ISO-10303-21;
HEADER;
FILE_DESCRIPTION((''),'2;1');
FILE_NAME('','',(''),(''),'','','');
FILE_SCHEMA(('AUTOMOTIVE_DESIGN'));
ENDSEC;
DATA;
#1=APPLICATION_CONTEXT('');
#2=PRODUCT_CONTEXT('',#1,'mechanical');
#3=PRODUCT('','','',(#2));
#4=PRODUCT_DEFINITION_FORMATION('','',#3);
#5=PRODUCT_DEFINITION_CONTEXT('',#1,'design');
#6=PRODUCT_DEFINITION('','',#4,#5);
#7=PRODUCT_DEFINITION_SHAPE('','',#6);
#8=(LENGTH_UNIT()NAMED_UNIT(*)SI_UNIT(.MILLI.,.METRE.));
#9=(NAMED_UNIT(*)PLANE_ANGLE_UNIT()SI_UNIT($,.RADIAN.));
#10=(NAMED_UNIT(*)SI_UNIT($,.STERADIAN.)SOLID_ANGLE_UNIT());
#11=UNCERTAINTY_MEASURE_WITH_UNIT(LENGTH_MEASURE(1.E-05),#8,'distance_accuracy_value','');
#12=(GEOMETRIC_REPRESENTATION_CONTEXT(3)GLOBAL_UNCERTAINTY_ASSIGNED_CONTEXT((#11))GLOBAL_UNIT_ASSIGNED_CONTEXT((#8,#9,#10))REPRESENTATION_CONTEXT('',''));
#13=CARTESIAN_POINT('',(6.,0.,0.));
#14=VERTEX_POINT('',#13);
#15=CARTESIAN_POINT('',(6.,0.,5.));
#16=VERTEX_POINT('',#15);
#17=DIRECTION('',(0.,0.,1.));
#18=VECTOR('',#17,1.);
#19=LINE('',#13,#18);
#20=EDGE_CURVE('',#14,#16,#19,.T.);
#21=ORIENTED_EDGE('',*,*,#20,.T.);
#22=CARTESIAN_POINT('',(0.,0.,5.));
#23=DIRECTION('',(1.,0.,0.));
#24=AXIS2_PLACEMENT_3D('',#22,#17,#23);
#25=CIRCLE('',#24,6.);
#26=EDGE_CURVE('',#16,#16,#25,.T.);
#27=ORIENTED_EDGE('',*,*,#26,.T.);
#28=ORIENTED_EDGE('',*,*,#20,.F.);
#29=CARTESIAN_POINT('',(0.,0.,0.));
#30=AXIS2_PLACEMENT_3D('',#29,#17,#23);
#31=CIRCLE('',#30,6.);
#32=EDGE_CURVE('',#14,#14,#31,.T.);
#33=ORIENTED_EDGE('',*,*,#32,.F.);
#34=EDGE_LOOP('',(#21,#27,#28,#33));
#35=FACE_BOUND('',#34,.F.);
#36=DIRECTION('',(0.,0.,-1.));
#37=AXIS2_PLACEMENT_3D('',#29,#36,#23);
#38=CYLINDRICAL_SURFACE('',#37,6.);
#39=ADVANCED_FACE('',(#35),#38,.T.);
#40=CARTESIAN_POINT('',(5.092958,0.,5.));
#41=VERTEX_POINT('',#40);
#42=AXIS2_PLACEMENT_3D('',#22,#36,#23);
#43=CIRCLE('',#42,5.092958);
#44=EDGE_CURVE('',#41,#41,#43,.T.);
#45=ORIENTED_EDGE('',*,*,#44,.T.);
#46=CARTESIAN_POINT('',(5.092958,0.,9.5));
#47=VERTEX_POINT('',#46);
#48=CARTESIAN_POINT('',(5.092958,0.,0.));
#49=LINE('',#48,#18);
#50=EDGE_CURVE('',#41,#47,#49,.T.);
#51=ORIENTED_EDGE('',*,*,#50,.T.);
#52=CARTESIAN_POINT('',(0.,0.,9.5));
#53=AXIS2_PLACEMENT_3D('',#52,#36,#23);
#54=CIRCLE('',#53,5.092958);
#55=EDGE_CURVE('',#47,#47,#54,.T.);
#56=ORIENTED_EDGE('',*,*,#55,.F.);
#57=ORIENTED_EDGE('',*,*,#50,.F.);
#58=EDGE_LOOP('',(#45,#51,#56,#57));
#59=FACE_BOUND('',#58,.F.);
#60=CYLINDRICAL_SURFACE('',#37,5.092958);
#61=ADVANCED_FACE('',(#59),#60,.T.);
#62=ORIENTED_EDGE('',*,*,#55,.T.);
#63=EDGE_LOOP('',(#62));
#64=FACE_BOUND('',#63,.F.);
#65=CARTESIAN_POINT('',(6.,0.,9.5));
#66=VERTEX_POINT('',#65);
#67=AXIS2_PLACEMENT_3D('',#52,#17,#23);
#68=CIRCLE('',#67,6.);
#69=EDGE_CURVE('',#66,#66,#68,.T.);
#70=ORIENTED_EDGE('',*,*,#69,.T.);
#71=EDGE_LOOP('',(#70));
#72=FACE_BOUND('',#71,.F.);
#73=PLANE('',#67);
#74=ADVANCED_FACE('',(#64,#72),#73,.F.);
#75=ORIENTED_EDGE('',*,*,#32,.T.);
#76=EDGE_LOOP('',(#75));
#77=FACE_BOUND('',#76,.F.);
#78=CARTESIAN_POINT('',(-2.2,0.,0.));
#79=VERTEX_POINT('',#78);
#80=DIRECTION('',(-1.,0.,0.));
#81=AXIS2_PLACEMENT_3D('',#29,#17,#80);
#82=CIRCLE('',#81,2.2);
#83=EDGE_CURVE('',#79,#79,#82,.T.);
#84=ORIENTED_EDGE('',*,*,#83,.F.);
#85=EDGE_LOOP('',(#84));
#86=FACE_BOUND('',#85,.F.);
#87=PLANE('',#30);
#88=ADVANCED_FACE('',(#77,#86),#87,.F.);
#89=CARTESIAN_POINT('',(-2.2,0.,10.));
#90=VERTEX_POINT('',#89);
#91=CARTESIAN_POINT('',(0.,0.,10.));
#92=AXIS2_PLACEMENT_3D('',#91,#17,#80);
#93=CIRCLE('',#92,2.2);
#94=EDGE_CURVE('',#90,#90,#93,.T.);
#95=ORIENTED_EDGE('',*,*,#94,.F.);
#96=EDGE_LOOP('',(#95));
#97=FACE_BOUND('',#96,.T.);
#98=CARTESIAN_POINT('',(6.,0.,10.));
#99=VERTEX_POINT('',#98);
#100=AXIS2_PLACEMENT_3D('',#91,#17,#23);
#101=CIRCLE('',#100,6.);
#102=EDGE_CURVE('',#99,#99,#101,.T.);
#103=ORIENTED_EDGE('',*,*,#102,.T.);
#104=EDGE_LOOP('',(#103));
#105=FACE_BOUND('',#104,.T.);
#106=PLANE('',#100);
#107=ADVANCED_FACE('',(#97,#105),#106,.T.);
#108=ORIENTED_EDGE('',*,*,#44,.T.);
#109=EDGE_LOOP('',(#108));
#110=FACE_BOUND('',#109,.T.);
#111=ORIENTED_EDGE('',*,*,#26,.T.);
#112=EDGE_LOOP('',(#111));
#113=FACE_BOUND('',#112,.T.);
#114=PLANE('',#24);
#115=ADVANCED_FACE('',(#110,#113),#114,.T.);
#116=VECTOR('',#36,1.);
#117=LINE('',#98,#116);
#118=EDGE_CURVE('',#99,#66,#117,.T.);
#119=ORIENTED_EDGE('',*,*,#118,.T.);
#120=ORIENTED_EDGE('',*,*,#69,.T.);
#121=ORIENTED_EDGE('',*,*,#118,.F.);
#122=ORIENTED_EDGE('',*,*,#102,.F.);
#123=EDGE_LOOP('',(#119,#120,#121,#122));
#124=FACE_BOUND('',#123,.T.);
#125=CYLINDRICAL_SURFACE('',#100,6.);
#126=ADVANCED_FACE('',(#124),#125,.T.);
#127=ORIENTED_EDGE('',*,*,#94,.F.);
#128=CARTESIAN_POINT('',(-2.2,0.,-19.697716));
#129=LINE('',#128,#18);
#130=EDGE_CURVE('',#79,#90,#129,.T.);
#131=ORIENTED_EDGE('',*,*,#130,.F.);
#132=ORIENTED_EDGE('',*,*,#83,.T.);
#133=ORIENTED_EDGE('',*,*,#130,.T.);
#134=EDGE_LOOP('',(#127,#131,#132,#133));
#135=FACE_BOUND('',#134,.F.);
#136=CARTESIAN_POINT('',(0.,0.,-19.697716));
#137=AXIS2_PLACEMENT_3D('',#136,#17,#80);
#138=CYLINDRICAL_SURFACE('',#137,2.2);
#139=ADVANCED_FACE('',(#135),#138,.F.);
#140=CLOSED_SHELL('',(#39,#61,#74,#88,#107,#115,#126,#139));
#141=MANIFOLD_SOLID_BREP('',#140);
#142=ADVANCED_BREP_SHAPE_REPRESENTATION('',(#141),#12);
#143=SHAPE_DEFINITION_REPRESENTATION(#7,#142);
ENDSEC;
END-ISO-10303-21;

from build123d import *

# Parameters (mm, degrees)
F0_R     = 6
F0_R_2   = 5.0929581789
F1_DEPTH = 5
F2_DEPTH = 10
F3_R     = 6
F3_R_2   = 5.0929581789
F4_DEPTH = 0.5
F5_D     = 4.4


with BuildPart() as f1:
    # F0 (on Top) → F1 (new body)
    with BuildSketch(Plane.XY):
        Circle(F0_R)
        Circle(F0_R_2, mode=Mode.SUBTRACT)
        Circle(F0_R_2)
    extrude(amount=F1_DEPTH)

    # F0 (on Top) → F2 (join)
    with BuildSketch(Plane.XY):
        Circle(F0_R_2)
    extrude(amount=F2_DEPTH)

    # F3 (on face) → F4 (join)
    with BuildSketch(Plane.XY.offset(10)):
        Circle(F3_R)
        Circle(F3_R_2, mode=Mode.SUBTRACT)
        Circle(F3_R_2)
    extrude(amount=-F4_DEPTH)

    # F5 (through all)
    with Locations(Plane(origin=(0, 0, 0), x_dir=(1, 0, 0), z_dir=(0, 0, -1))):
        with Locations((0, 0)):
            Hole(F5_D / 2)


solid = f1.part
